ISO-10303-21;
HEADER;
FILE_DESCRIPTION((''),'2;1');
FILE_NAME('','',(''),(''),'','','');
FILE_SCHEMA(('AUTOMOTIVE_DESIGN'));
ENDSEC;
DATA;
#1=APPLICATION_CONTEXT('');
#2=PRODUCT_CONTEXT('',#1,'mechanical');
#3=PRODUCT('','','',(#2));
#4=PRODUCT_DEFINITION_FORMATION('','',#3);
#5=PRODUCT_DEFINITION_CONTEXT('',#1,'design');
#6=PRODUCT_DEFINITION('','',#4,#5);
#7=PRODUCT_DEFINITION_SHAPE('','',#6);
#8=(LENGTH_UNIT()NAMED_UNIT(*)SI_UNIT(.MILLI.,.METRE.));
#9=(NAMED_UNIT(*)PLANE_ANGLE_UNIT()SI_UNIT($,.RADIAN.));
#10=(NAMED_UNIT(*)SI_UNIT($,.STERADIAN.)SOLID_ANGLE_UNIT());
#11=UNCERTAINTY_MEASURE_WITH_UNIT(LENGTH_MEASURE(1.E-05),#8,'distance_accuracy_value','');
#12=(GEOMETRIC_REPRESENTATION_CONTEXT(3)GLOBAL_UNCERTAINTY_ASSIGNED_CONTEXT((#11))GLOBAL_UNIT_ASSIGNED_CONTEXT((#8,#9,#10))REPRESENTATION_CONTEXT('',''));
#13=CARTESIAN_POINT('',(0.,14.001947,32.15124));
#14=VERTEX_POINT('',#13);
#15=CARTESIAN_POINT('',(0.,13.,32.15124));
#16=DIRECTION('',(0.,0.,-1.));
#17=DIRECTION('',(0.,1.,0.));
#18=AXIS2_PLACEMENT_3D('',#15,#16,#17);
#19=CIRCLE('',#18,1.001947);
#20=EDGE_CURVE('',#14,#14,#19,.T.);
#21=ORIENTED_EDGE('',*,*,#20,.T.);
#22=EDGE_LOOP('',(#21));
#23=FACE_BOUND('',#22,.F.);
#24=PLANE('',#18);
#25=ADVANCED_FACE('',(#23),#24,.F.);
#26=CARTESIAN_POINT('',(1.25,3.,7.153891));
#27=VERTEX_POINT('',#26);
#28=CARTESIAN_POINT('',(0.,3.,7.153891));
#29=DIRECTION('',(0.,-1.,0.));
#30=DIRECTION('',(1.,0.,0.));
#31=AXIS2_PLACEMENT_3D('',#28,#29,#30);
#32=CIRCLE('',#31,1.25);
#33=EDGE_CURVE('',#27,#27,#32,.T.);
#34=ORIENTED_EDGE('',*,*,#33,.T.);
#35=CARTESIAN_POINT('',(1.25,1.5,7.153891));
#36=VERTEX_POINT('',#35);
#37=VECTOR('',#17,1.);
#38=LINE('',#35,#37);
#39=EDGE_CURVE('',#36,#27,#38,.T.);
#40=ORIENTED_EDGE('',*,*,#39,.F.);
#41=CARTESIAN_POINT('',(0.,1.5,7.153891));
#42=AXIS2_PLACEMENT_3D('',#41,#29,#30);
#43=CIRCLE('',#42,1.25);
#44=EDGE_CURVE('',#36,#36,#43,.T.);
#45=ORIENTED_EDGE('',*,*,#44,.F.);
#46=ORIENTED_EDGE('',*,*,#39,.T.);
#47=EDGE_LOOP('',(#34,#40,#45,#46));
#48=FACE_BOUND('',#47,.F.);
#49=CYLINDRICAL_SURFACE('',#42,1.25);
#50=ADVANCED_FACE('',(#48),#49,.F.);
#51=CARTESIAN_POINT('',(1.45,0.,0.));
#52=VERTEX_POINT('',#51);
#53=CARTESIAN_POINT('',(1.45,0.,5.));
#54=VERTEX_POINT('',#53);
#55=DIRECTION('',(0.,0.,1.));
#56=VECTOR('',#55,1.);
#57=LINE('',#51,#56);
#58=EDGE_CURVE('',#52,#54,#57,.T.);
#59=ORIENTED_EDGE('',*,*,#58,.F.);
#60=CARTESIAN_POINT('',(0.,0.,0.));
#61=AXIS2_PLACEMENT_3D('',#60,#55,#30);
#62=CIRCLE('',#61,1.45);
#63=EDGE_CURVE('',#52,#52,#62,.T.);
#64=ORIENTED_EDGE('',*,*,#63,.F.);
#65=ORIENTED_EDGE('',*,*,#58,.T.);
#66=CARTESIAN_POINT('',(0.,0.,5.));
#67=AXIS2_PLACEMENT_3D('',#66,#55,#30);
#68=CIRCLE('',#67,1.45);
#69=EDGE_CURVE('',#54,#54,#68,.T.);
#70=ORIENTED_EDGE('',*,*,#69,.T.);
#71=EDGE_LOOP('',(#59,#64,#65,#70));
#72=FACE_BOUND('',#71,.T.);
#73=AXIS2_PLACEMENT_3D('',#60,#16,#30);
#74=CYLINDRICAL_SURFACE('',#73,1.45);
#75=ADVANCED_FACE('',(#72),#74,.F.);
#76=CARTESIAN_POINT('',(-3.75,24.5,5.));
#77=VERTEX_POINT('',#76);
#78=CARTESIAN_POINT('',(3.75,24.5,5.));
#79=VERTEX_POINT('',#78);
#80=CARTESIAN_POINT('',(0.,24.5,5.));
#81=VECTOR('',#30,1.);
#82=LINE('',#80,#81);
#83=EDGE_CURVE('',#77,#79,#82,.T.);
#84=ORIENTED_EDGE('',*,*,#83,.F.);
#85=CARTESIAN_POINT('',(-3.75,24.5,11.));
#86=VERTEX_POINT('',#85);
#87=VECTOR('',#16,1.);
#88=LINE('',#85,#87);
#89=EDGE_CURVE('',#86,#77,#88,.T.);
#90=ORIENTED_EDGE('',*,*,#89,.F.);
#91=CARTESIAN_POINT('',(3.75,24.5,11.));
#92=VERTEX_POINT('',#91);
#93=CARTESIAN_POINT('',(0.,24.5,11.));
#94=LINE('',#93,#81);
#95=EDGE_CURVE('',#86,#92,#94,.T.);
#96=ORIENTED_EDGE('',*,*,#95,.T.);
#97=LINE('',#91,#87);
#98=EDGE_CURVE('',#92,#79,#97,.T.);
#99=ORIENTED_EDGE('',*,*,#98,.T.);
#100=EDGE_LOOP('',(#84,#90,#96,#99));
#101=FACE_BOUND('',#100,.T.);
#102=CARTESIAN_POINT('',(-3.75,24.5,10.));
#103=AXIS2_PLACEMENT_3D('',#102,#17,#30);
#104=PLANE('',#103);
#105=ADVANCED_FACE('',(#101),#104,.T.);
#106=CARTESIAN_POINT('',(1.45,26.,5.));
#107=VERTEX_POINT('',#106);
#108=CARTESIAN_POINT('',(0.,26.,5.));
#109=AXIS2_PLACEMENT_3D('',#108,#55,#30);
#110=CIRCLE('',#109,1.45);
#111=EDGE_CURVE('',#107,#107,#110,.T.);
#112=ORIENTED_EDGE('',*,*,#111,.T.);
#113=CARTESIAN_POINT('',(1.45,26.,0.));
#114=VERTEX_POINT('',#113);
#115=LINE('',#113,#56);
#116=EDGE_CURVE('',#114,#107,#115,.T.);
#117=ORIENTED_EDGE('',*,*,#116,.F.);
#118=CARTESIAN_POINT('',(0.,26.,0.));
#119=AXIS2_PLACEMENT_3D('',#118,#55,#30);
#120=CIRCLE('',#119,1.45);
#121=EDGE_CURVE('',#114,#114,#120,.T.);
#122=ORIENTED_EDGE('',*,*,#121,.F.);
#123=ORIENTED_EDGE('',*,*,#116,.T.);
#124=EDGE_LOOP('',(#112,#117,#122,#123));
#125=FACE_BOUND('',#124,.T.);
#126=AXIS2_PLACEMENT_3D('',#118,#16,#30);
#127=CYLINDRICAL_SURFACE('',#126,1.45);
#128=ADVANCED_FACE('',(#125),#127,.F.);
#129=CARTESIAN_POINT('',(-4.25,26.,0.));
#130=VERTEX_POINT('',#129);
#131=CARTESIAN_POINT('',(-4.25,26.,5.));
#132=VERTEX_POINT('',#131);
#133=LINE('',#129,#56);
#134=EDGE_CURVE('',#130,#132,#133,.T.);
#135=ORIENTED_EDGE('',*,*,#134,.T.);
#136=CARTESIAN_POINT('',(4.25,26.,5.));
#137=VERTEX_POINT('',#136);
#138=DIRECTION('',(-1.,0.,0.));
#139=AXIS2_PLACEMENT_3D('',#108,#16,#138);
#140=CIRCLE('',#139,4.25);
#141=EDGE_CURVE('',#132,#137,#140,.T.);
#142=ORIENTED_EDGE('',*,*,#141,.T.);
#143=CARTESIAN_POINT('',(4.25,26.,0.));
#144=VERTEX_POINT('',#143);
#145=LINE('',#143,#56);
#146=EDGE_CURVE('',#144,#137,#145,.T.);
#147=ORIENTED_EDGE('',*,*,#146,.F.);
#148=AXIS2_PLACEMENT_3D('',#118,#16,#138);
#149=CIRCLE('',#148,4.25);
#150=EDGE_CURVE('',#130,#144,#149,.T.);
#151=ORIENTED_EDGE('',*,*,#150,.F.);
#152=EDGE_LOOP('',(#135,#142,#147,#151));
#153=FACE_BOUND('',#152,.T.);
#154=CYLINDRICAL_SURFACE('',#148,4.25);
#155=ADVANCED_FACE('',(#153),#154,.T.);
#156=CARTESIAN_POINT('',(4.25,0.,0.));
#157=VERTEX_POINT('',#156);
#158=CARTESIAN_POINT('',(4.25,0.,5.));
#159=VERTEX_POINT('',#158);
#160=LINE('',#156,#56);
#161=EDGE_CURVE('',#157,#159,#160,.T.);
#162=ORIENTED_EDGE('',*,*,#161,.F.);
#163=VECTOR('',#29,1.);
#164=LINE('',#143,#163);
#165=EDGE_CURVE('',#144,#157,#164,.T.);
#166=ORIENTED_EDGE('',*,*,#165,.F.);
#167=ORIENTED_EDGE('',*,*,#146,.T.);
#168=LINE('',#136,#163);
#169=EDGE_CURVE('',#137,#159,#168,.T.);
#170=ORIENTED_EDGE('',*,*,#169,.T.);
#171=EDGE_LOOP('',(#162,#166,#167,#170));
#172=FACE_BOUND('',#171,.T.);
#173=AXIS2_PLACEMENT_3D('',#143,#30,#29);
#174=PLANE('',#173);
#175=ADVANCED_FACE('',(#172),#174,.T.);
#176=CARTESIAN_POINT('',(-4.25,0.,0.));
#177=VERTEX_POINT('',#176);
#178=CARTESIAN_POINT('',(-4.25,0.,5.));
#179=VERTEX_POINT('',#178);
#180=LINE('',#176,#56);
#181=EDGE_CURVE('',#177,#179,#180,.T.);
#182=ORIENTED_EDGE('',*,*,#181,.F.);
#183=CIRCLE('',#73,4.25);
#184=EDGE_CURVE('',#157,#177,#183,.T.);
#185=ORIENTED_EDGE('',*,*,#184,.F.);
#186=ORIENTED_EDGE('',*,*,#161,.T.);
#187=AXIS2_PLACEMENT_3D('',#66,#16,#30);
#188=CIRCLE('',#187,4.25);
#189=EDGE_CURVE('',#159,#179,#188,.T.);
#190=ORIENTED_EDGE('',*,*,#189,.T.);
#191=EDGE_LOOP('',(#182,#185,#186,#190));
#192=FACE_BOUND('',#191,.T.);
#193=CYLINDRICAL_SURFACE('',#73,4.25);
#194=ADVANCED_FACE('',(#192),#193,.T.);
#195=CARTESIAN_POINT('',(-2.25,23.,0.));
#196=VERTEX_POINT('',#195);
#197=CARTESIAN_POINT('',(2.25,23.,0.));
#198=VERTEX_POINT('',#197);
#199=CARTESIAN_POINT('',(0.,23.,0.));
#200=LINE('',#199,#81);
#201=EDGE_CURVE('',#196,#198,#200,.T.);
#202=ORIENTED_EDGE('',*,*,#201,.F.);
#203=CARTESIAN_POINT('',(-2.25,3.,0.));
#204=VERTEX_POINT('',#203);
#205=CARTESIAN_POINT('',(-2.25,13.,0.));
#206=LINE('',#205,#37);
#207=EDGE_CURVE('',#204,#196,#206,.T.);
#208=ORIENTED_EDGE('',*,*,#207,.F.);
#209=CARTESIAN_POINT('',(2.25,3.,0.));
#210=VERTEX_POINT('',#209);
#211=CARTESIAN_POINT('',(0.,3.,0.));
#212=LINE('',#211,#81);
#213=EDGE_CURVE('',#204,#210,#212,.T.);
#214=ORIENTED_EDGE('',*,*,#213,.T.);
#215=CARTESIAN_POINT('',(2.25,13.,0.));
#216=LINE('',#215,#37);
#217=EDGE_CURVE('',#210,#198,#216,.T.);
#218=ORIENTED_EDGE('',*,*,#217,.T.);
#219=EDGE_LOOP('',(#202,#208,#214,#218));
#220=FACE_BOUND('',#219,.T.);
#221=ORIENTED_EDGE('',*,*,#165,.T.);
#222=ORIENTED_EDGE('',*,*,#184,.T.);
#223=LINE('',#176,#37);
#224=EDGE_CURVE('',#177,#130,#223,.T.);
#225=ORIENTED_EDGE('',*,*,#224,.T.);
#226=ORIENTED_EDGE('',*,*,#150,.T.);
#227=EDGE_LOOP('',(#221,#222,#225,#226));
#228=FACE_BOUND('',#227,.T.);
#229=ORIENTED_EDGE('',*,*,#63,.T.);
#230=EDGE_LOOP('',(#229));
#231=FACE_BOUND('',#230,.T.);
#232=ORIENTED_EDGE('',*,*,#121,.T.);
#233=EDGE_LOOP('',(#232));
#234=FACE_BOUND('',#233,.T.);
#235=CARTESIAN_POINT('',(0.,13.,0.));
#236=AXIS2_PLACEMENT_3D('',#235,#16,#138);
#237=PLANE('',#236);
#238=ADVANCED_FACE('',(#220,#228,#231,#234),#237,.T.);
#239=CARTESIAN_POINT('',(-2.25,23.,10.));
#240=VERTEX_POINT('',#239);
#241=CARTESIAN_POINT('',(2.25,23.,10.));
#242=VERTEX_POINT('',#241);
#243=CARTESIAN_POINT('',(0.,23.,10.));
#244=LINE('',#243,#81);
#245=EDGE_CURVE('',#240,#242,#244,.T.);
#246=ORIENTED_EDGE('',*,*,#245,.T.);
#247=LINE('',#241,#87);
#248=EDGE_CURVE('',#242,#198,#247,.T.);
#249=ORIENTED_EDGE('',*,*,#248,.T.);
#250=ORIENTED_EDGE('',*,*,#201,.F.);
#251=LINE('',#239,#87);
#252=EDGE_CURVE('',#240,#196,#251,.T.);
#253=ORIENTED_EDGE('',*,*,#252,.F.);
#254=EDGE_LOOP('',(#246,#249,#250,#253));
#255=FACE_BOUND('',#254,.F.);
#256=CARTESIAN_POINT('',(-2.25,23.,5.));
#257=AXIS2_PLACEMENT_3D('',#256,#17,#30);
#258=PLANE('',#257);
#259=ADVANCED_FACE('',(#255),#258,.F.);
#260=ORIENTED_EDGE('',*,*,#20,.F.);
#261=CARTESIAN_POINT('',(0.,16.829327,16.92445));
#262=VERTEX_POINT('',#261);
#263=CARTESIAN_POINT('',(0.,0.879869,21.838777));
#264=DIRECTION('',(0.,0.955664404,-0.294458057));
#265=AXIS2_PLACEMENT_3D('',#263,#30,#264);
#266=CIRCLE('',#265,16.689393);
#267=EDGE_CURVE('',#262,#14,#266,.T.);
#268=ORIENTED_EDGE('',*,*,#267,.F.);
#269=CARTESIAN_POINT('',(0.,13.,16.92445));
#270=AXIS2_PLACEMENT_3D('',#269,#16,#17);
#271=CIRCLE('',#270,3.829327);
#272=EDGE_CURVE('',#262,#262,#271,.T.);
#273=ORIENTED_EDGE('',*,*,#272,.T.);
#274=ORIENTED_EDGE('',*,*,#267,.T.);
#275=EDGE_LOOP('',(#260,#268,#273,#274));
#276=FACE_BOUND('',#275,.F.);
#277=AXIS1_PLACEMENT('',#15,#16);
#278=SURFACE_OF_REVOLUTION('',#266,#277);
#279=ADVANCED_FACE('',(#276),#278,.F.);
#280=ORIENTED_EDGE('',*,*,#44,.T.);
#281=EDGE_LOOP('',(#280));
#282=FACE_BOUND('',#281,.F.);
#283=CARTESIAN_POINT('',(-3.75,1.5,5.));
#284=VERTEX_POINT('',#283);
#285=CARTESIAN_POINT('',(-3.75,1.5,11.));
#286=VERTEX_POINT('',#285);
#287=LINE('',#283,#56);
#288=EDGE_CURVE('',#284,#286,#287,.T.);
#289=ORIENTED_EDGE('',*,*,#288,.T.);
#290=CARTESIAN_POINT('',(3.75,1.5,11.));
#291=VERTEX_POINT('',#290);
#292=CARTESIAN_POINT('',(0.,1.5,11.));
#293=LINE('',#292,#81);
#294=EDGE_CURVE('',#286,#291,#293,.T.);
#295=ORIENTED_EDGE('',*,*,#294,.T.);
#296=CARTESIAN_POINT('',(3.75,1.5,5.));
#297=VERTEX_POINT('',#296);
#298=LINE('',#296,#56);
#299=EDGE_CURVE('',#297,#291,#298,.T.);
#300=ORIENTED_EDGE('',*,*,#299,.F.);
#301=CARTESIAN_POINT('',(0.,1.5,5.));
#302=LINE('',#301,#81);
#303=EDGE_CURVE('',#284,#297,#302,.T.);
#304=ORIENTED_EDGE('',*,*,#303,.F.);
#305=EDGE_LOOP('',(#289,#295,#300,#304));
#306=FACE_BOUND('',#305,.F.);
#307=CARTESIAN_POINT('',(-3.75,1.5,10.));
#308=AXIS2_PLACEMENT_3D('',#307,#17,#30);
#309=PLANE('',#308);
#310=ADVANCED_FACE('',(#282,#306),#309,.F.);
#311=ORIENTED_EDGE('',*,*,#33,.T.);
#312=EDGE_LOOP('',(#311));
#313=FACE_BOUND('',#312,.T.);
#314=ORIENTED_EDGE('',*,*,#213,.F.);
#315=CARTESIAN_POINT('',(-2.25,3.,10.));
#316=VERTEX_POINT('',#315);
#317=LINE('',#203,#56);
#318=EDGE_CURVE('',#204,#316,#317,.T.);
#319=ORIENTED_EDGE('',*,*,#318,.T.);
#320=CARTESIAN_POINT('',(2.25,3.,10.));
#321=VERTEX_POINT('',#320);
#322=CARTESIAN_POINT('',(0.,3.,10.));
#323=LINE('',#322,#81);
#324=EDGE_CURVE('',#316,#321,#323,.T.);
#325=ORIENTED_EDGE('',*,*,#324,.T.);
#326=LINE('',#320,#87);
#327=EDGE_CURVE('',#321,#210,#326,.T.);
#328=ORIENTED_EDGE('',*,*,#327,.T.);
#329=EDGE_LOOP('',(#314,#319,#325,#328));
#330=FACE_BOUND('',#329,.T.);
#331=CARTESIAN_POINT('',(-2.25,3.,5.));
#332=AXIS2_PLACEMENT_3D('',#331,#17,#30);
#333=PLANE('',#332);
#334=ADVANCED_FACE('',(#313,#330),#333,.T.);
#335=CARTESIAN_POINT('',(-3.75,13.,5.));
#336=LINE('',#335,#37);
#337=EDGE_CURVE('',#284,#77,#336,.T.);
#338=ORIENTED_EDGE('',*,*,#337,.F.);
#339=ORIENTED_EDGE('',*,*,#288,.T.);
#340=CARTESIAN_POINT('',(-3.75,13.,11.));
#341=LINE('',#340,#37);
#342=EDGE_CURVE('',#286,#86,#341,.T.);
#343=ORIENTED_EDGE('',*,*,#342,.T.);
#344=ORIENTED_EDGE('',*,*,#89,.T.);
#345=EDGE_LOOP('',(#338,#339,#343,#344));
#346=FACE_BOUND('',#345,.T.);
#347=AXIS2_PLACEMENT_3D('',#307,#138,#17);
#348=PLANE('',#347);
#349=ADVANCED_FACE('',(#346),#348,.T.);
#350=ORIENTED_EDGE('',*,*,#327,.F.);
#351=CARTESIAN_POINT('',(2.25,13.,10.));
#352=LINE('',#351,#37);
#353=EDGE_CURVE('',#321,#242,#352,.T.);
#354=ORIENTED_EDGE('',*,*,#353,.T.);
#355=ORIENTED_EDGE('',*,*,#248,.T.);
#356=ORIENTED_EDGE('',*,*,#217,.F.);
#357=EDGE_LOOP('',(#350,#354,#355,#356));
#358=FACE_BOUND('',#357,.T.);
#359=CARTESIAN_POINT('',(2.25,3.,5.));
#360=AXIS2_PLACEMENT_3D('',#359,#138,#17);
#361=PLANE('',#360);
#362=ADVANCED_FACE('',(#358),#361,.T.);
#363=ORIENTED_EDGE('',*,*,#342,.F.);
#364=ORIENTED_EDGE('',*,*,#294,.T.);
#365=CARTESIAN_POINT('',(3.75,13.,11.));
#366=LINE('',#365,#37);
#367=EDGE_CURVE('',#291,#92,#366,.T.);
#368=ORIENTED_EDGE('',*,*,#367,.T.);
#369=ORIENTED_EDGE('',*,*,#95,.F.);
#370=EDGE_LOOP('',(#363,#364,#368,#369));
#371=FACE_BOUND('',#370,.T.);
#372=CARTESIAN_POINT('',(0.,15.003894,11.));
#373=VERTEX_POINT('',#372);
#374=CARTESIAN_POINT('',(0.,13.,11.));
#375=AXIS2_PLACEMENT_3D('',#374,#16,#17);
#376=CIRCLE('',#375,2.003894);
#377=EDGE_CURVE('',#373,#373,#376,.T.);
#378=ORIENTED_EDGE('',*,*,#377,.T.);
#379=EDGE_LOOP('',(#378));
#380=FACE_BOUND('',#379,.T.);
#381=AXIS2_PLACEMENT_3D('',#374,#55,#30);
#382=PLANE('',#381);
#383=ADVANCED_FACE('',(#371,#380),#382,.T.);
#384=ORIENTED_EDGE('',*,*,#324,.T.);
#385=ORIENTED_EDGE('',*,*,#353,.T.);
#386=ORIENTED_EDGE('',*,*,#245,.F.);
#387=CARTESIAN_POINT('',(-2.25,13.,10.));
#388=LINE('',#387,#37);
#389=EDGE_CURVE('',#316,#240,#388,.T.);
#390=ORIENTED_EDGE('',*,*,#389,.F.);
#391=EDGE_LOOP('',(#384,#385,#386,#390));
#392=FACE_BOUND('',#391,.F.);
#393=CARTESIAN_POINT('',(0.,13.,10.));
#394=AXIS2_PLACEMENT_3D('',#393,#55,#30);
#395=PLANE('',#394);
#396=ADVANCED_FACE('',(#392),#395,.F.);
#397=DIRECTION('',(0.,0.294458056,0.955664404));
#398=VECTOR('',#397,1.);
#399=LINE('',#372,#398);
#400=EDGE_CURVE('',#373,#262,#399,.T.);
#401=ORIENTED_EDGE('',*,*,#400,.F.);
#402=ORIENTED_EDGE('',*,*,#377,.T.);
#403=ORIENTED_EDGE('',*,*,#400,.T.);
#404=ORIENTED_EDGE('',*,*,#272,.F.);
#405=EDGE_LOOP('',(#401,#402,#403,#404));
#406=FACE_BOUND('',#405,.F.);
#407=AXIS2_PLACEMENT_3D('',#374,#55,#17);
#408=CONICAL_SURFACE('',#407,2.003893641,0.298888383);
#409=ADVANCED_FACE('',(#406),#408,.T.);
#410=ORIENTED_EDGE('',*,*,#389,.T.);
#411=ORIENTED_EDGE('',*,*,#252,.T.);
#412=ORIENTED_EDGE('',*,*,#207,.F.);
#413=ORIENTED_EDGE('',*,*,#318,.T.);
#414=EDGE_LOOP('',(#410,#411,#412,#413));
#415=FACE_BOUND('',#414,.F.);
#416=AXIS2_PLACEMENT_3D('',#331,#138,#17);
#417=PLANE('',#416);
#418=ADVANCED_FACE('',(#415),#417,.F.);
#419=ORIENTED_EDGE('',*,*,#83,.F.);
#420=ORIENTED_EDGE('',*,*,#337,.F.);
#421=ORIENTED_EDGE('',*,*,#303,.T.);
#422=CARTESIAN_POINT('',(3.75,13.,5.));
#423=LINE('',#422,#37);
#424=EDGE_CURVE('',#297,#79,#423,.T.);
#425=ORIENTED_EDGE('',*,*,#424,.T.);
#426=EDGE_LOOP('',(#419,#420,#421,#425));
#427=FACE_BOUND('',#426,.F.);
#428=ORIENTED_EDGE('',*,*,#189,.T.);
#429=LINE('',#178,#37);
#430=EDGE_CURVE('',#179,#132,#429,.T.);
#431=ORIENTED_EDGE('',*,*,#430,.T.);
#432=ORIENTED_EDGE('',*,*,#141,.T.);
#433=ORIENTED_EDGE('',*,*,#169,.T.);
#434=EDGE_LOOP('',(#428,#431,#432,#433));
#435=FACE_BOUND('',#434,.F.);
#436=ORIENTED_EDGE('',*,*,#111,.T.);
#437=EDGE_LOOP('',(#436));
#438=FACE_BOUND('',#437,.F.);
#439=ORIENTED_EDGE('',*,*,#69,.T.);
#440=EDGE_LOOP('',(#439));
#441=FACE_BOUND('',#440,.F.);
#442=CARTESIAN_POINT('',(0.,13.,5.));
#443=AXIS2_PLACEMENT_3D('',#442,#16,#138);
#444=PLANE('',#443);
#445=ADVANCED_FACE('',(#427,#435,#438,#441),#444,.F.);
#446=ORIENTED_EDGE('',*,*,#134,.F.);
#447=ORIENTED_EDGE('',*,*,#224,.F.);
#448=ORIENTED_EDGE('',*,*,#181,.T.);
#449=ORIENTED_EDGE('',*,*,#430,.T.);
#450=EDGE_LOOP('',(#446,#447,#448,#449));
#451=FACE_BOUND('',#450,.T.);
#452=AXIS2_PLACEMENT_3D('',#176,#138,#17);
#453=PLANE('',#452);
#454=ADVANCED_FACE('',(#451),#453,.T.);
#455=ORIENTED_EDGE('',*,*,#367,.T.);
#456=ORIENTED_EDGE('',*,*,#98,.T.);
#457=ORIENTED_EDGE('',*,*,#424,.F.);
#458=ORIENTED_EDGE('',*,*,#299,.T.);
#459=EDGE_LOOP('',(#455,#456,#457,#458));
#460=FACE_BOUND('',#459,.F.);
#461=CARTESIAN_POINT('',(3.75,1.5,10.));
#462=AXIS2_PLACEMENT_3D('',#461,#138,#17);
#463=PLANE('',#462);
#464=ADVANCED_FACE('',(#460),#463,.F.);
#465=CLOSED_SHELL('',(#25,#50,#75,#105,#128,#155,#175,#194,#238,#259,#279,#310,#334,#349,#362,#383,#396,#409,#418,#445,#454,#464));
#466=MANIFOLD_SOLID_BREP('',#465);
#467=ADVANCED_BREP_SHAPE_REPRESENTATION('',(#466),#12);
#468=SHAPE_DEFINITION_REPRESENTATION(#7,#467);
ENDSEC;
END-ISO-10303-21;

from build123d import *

# Parameters (mm, degrees)
SKETCH1_R           = 1.45
SKETCH1_W           = 4.5
SKETCH1_H           = 20
BOSS_EXTRUDE1_DEPTH = 5
SKETCH2_W           = 7.5
SKETCH2_H           = 23
SKETCH2_W_2         = 4.5
SKETCH2_H_2         = 20
BOSS_EXTRUDE2_DEPTH = 5
SKETCH3_W           = 7.5
SKETCH3_H           = 23
BOSS_EXTRUDE3_DEPTH = 1
CUT_EXTRUDE1_REACH  = 45.372
SKETCH6_R           = 1.25


with BuildPart() as part:
    # Sketch1 → Boss-Extrude1 (new body)
    with BuildSketch(Plane.XY):
        with BuildLine():
            Line((-4.25, 0), (-4.25, 26))
            ThreePointArc((-4.25, 26), (0, 30.25), (4.25, 26))
            Line((4.25, 26), (4.25, 0))
            ThreePointArc((4.25, 0), (0, -4.25), (-4.25, 0))
        make_face()
        with Locations((0, 26)):
            Circle(SKETCH1_R, mode=Mode.SUBTRACT)
        Circle(SKETCH1_R, mode=Mode.SUBTRACT)
        with Locations((0, 13)):
            Rectangle(SKETCH1_W, SKETCH1_H, mode=Mode.SUBTRACT)
    extrude(amount=BOSS_EXTRUDE1_DEPTH)

    # Sketch2 → Boss-Extrude2 (add)
    with BuildSketch(Plane.XY.offset(5)):
        with Locations((0, 13)):
            Rectangle(SKETCH2_W, SKETCH2_H)
        with Locations((0, 13)):
            Rectangle(SKETCH2_W_2, SKETCH2_H_2, mode=Mode.SUBTRACT)
    extrude(amount=BOSS_EXTRUDE2_DEPTH)

    # Sketch3 → Boss-Extrude3 (add)
    with BuildSketch(Plane.XY.offset(10)):
        with Locations((0, 13)):
            Rectangle(SKETCH3_W, SKETCH3_H)
    extrude(amount=BOSS_EXTRUDE3_DEPTH)

    # Sketch5 → Revolve1 (revolve)
    with BuildSketch(Plane(origin=(0, 0, 0), x_dir=(0, 0, -1), z_dir=(1, 0, 0))):
        with BuildLine():
            Line((-11, 13), (-11, 15.003893641))
            Line((-11, 15.003893641), (-16.924450419, 16.829327494))
            ThreePointArc((-16.924450419, 16.829327494), (-24.885658953, 17.288779267), (-32.151240121, 14.001946821))
            Line((-32.151240121, 14.001946821), (-32.151240121, 13))
            Line((-32.151240121, 13), (-11, 13))
        make_face()
    revolve(axis=Axis((0, 13, 32.151240121), (0, 0, -1)))

    # Sketch6 → Cut-Extrude1 (cut, up to next)
    with BuildSketch(Plane.XZ.offset(-1.5), mode=Mode.PRIVATE) as cut_extrude1_sk1:
        with Locations((0, 7.153891294)):
            Circle(SKETCH6_R)
    cut_extrude1_tool1 = extrude(cut_extrude1_sk1.sketch, amount=-CUT_EXTRUDE1_REACH, mode=Mode.PRIVATE) & part.part
    add(cut_extrude1_tool1.solids().sort_by_distance((0, 1.5, 7.153891))[0], mode=Mode.SUBTRACT)


solid = part.part
